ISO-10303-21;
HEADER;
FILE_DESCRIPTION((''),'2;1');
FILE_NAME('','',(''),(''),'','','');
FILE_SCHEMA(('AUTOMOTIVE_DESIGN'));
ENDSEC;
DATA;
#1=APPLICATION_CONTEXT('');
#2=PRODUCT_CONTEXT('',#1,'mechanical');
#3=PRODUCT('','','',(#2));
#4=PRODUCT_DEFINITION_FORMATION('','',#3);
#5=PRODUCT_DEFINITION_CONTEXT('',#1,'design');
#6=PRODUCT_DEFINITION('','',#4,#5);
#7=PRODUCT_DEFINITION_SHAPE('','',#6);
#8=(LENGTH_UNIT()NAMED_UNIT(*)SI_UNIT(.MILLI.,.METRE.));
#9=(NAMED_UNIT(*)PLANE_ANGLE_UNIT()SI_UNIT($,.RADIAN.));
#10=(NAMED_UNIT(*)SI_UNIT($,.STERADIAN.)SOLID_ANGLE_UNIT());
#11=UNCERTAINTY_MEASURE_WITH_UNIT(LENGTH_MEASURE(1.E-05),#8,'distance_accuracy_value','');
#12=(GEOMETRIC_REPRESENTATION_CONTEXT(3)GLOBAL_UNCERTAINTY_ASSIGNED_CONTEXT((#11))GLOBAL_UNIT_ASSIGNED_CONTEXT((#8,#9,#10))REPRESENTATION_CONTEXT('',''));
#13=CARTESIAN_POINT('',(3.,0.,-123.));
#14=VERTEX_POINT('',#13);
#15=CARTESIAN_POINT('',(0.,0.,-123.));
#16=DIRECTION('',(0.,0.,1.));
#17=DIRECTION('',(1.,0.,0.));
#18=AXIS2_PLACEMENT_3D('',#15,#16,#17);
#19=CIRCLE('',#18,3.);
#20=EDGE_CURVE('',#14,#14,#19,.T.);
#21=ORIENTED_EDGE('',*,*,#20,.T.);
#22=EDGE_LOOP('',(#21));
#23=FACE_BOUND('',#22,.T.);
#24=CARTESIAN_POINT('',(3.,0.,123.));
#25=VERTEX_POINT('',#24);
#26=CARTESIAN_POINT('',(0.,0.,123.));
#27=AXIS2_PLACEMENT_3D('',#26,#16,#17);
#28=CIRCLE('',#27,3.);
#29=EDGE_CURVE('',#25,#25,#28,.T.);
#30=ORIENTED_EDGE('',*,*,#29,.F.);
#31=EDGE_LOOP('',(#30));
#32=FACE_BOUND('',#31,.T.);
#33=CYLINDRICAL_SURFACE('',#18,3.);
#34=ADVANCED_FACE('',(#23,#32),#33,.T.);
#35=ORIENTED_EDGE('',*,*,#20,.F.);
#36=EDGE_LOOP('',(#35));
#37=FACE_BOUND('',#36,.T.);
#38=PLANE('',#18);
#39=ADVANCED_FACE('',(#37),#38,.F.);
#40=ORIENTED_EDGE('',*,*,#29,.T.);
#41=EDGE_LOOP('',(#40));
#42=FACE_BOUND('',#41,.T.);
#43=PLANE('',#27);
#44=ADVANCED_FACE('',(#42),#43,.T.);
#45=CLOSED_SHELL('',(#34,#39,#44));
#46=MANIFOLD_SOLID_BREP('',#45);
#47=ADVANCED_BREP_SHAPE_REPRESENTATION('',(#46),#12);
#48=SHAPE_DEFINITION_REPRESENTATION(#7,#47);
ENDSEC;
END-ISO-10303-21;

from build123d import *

# Parameters (mm, degrees)
EXTRUDE1_DEPTH      = 123
EXTRUDE1_DEPTH_BACK = 123
SKETCH1_R           = 3


with BuildPart() as part:
    # Sketch1 → Extrude1 (new, two sides: drawn at the far end of the back side and taken through both)
    with BuildSketch(Plane.XY.offset(-EXTRUDE1_DEPTH_BACK)):
        Circle(SKETCH1_R)
    extrude(amount=EXTRUDE1_DEPTH + EXTRUDE1_DEPTH_BACK)


solid = part.part
